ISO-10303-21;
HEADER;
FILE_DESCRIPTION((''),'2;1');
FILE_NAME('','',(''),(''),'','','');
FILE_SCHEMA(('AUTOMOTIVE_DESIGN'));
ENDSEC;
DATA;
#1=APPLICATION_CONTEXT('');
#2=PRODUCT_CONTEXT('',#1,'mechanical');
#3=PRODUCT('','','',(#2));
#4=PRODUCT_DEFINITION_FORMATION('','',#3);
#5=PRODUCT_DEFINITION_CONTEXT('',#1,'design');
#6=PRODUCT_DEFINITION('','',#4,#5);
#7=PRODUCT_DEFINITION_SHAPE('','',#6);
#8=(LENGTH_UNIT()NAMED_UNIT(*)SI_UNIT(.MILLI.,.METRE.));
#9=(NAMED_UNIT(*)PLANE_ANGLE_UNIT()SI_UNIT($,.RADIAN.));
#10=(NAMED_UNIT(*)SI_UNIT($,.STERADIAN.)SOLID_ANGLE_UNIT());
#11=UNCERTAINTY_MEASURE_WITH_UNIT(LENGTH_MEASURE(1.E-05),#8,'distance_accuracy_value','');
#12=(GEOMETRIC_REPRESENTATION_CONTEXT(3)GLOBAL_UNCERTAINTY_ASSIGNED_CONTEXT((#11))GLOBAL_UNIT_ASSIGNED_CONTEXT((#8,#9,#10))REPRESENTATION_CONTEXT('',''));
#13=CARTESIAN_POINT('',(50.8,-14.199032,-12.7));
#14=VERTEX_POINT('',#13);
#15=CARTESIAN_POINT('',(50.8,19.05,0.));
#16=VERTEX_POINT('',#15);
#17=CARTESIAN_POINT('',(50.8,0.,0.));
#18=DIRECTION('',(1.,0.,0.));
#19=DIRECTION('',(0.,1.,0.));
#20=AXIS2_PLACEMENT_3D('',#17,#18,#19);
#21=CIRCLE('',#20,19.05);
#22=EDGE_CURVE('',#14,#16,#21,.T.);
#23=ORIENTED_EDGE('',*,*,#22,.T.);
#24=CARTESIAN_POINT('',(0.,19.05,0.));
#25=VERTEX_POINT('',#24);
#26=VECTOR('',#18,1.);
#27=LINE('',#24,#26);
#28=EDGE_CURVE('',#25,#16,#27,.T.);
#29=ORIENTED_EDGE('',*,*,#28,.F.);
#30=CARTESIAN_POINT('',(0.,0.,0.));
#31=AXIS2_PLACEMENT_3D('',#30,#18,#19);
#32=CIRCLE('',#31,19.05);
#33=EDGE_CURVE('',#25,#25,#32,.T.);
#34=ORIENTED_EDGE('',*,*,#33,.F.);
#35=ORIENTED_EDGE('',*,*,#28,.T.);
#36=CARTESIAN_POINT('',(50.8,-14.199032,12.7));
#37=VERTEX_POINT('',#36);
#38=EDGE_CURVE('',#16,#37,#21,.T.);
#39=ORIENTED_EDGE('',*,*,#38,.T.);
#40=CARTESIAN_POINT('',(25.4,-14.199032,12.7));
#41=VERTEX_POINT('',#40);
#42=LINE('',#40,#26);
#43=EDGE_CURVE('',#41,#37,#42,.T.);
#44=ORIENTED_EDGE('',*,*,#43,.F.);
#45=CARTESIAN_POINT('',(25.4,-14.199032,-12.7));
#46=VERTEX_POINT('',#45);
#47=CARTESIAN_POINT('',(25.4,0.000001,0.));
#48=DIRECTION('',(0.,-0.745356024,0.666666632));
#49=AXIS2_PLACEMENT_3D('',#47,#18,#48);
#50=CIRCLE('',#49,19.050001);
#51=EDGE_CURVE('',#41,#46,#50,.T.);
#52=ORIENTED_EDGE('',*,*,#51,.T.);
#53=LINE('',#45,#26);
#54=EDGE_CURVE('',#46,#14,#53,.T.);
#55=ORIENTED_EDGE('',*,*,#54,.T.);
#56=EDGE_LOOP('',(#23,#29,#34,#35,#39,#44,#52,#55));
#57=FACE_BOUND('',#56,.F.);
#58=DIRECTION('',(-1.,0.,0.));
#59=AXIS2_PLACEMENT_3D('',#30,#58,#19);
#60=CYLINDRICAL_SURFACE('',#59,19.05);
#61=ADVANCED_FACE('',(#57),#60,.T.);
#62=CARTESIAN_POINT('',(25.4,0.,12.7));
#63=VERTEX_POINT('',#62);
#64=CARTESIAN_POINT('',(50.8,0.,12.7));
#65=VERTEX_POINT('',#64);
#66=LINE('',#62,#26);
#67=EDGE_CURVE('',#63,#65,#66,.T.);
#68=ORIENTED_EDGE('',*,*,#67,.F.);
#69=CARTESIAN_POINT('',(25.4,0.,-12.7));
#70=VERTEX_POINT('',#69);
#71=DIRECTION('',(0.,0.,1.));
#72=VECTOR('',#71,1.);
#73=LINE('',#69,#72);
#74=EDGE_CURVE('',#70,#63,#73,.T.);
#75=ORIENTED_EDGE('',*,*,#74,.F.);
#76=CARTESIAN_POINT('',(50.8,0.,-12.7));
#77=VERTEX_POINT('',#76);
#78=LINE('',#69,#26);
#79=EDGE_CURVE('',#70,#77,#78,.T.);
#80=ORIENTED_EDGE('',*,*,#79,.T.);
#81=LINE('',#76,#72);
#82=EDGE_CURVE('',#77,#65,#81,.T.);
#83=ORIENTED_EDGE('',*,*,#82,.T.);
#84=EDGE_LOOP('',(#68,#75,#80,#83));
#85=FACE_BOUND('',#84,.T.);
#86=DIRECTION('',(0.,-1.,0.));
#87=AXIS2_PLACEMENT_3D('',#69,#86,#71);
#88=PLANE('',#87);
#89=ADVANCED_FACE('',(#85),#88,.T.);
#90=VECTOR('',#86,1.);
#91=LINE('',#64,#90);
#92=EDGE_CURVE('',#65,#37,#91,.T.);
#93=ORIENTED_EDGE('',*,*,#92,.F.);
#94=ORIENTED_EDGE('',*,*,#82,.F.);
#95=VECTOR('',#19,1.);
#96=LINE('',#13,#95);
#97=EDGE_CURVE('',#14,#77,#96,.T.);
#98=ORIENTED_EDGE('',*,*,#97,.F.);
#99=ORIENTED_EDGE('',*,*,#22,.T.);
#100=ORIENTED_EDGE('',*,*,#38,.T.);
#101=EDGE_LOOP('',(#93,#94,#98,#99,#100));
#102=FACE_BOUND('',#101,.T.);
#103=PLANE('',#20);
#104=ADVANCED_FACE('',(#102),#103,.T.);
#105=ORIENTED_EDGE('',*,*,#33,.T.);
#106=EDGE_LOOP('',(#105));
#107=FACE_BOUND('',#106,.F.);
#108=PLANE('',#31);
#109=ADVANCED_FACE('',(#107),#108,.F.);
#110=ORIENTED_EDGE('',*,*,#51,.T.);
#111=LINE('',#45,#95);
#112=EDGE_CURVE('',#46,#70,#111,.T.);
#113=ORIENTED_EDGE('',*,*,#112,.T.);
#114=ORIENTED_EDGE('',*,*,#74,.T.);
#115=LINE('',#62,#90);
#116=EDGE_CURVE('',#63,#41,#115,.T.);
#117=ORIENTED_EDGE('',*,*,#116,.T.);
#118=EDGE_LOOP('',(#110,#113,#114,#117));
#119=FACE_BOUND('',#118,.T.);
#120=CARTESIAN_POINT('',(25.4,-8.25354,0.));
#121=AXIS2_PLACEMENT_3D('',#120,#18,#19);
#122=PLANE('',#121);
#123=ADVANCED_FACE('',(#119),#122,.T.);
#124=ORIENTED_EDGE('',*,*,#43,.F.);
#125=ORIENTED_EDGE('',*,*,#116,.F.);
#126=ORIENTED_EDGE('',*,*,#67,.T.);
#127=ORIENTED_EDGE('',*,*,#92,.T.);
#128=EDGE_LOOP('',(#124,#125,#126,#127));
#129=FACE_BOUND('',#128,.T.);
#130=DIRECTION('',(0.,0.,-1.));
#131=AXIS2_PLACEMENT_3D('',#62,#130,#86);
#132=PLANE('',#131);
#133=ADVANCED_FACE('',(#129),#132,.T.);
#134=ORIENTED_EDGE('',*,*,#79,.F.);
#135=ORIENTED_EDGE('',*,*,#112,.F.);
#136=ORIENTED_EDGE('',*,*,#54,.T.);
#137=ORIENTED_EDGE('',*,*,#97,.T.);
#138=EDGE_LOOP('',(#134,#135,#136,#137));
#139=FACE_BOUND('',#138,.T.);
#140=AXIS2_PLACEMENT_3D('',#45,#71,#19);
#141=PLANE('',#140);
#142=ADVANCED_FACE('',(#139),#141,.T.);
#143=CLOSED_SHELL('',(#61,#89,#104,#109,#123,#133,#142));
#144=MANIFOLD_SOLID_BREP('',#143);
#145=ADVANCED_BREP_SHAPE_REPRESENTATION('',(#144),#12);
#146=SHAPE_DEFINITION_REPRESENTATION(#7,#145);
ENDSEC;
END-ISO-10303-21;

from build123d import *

# Parameters (mm, degrees)
F0_R     = 19.05
F1_DEPTH = 50.8
F4_DEPTH = 25.4


with BuildPart() as f1:
    # F0 (on Right) → F1 (new body)
    with BuildSketch(Plane.YZ):
        Circle(F0_R)
    extrude(amount=F1_DEPTH)

    # F3 (on offset) → F4 (cut)
    with BuildSketch(Plane.YZ.offset(25.4)):
        with BuildLine():
            Line((0, 12.7), (-14.199032, 12.7))
            ThreePointArc((-14.199032, 12.7), (-19.05, 0), (-14.199032, -12.7))
            Line((-14.199032, -12.7), (0, -12.7))
            Line((0, -12.7), (0, 12.7))
        make_face()
    extrude(amount=F4_DEPTH, mode=Mode.SUBTRACT)


solid = f1.part
